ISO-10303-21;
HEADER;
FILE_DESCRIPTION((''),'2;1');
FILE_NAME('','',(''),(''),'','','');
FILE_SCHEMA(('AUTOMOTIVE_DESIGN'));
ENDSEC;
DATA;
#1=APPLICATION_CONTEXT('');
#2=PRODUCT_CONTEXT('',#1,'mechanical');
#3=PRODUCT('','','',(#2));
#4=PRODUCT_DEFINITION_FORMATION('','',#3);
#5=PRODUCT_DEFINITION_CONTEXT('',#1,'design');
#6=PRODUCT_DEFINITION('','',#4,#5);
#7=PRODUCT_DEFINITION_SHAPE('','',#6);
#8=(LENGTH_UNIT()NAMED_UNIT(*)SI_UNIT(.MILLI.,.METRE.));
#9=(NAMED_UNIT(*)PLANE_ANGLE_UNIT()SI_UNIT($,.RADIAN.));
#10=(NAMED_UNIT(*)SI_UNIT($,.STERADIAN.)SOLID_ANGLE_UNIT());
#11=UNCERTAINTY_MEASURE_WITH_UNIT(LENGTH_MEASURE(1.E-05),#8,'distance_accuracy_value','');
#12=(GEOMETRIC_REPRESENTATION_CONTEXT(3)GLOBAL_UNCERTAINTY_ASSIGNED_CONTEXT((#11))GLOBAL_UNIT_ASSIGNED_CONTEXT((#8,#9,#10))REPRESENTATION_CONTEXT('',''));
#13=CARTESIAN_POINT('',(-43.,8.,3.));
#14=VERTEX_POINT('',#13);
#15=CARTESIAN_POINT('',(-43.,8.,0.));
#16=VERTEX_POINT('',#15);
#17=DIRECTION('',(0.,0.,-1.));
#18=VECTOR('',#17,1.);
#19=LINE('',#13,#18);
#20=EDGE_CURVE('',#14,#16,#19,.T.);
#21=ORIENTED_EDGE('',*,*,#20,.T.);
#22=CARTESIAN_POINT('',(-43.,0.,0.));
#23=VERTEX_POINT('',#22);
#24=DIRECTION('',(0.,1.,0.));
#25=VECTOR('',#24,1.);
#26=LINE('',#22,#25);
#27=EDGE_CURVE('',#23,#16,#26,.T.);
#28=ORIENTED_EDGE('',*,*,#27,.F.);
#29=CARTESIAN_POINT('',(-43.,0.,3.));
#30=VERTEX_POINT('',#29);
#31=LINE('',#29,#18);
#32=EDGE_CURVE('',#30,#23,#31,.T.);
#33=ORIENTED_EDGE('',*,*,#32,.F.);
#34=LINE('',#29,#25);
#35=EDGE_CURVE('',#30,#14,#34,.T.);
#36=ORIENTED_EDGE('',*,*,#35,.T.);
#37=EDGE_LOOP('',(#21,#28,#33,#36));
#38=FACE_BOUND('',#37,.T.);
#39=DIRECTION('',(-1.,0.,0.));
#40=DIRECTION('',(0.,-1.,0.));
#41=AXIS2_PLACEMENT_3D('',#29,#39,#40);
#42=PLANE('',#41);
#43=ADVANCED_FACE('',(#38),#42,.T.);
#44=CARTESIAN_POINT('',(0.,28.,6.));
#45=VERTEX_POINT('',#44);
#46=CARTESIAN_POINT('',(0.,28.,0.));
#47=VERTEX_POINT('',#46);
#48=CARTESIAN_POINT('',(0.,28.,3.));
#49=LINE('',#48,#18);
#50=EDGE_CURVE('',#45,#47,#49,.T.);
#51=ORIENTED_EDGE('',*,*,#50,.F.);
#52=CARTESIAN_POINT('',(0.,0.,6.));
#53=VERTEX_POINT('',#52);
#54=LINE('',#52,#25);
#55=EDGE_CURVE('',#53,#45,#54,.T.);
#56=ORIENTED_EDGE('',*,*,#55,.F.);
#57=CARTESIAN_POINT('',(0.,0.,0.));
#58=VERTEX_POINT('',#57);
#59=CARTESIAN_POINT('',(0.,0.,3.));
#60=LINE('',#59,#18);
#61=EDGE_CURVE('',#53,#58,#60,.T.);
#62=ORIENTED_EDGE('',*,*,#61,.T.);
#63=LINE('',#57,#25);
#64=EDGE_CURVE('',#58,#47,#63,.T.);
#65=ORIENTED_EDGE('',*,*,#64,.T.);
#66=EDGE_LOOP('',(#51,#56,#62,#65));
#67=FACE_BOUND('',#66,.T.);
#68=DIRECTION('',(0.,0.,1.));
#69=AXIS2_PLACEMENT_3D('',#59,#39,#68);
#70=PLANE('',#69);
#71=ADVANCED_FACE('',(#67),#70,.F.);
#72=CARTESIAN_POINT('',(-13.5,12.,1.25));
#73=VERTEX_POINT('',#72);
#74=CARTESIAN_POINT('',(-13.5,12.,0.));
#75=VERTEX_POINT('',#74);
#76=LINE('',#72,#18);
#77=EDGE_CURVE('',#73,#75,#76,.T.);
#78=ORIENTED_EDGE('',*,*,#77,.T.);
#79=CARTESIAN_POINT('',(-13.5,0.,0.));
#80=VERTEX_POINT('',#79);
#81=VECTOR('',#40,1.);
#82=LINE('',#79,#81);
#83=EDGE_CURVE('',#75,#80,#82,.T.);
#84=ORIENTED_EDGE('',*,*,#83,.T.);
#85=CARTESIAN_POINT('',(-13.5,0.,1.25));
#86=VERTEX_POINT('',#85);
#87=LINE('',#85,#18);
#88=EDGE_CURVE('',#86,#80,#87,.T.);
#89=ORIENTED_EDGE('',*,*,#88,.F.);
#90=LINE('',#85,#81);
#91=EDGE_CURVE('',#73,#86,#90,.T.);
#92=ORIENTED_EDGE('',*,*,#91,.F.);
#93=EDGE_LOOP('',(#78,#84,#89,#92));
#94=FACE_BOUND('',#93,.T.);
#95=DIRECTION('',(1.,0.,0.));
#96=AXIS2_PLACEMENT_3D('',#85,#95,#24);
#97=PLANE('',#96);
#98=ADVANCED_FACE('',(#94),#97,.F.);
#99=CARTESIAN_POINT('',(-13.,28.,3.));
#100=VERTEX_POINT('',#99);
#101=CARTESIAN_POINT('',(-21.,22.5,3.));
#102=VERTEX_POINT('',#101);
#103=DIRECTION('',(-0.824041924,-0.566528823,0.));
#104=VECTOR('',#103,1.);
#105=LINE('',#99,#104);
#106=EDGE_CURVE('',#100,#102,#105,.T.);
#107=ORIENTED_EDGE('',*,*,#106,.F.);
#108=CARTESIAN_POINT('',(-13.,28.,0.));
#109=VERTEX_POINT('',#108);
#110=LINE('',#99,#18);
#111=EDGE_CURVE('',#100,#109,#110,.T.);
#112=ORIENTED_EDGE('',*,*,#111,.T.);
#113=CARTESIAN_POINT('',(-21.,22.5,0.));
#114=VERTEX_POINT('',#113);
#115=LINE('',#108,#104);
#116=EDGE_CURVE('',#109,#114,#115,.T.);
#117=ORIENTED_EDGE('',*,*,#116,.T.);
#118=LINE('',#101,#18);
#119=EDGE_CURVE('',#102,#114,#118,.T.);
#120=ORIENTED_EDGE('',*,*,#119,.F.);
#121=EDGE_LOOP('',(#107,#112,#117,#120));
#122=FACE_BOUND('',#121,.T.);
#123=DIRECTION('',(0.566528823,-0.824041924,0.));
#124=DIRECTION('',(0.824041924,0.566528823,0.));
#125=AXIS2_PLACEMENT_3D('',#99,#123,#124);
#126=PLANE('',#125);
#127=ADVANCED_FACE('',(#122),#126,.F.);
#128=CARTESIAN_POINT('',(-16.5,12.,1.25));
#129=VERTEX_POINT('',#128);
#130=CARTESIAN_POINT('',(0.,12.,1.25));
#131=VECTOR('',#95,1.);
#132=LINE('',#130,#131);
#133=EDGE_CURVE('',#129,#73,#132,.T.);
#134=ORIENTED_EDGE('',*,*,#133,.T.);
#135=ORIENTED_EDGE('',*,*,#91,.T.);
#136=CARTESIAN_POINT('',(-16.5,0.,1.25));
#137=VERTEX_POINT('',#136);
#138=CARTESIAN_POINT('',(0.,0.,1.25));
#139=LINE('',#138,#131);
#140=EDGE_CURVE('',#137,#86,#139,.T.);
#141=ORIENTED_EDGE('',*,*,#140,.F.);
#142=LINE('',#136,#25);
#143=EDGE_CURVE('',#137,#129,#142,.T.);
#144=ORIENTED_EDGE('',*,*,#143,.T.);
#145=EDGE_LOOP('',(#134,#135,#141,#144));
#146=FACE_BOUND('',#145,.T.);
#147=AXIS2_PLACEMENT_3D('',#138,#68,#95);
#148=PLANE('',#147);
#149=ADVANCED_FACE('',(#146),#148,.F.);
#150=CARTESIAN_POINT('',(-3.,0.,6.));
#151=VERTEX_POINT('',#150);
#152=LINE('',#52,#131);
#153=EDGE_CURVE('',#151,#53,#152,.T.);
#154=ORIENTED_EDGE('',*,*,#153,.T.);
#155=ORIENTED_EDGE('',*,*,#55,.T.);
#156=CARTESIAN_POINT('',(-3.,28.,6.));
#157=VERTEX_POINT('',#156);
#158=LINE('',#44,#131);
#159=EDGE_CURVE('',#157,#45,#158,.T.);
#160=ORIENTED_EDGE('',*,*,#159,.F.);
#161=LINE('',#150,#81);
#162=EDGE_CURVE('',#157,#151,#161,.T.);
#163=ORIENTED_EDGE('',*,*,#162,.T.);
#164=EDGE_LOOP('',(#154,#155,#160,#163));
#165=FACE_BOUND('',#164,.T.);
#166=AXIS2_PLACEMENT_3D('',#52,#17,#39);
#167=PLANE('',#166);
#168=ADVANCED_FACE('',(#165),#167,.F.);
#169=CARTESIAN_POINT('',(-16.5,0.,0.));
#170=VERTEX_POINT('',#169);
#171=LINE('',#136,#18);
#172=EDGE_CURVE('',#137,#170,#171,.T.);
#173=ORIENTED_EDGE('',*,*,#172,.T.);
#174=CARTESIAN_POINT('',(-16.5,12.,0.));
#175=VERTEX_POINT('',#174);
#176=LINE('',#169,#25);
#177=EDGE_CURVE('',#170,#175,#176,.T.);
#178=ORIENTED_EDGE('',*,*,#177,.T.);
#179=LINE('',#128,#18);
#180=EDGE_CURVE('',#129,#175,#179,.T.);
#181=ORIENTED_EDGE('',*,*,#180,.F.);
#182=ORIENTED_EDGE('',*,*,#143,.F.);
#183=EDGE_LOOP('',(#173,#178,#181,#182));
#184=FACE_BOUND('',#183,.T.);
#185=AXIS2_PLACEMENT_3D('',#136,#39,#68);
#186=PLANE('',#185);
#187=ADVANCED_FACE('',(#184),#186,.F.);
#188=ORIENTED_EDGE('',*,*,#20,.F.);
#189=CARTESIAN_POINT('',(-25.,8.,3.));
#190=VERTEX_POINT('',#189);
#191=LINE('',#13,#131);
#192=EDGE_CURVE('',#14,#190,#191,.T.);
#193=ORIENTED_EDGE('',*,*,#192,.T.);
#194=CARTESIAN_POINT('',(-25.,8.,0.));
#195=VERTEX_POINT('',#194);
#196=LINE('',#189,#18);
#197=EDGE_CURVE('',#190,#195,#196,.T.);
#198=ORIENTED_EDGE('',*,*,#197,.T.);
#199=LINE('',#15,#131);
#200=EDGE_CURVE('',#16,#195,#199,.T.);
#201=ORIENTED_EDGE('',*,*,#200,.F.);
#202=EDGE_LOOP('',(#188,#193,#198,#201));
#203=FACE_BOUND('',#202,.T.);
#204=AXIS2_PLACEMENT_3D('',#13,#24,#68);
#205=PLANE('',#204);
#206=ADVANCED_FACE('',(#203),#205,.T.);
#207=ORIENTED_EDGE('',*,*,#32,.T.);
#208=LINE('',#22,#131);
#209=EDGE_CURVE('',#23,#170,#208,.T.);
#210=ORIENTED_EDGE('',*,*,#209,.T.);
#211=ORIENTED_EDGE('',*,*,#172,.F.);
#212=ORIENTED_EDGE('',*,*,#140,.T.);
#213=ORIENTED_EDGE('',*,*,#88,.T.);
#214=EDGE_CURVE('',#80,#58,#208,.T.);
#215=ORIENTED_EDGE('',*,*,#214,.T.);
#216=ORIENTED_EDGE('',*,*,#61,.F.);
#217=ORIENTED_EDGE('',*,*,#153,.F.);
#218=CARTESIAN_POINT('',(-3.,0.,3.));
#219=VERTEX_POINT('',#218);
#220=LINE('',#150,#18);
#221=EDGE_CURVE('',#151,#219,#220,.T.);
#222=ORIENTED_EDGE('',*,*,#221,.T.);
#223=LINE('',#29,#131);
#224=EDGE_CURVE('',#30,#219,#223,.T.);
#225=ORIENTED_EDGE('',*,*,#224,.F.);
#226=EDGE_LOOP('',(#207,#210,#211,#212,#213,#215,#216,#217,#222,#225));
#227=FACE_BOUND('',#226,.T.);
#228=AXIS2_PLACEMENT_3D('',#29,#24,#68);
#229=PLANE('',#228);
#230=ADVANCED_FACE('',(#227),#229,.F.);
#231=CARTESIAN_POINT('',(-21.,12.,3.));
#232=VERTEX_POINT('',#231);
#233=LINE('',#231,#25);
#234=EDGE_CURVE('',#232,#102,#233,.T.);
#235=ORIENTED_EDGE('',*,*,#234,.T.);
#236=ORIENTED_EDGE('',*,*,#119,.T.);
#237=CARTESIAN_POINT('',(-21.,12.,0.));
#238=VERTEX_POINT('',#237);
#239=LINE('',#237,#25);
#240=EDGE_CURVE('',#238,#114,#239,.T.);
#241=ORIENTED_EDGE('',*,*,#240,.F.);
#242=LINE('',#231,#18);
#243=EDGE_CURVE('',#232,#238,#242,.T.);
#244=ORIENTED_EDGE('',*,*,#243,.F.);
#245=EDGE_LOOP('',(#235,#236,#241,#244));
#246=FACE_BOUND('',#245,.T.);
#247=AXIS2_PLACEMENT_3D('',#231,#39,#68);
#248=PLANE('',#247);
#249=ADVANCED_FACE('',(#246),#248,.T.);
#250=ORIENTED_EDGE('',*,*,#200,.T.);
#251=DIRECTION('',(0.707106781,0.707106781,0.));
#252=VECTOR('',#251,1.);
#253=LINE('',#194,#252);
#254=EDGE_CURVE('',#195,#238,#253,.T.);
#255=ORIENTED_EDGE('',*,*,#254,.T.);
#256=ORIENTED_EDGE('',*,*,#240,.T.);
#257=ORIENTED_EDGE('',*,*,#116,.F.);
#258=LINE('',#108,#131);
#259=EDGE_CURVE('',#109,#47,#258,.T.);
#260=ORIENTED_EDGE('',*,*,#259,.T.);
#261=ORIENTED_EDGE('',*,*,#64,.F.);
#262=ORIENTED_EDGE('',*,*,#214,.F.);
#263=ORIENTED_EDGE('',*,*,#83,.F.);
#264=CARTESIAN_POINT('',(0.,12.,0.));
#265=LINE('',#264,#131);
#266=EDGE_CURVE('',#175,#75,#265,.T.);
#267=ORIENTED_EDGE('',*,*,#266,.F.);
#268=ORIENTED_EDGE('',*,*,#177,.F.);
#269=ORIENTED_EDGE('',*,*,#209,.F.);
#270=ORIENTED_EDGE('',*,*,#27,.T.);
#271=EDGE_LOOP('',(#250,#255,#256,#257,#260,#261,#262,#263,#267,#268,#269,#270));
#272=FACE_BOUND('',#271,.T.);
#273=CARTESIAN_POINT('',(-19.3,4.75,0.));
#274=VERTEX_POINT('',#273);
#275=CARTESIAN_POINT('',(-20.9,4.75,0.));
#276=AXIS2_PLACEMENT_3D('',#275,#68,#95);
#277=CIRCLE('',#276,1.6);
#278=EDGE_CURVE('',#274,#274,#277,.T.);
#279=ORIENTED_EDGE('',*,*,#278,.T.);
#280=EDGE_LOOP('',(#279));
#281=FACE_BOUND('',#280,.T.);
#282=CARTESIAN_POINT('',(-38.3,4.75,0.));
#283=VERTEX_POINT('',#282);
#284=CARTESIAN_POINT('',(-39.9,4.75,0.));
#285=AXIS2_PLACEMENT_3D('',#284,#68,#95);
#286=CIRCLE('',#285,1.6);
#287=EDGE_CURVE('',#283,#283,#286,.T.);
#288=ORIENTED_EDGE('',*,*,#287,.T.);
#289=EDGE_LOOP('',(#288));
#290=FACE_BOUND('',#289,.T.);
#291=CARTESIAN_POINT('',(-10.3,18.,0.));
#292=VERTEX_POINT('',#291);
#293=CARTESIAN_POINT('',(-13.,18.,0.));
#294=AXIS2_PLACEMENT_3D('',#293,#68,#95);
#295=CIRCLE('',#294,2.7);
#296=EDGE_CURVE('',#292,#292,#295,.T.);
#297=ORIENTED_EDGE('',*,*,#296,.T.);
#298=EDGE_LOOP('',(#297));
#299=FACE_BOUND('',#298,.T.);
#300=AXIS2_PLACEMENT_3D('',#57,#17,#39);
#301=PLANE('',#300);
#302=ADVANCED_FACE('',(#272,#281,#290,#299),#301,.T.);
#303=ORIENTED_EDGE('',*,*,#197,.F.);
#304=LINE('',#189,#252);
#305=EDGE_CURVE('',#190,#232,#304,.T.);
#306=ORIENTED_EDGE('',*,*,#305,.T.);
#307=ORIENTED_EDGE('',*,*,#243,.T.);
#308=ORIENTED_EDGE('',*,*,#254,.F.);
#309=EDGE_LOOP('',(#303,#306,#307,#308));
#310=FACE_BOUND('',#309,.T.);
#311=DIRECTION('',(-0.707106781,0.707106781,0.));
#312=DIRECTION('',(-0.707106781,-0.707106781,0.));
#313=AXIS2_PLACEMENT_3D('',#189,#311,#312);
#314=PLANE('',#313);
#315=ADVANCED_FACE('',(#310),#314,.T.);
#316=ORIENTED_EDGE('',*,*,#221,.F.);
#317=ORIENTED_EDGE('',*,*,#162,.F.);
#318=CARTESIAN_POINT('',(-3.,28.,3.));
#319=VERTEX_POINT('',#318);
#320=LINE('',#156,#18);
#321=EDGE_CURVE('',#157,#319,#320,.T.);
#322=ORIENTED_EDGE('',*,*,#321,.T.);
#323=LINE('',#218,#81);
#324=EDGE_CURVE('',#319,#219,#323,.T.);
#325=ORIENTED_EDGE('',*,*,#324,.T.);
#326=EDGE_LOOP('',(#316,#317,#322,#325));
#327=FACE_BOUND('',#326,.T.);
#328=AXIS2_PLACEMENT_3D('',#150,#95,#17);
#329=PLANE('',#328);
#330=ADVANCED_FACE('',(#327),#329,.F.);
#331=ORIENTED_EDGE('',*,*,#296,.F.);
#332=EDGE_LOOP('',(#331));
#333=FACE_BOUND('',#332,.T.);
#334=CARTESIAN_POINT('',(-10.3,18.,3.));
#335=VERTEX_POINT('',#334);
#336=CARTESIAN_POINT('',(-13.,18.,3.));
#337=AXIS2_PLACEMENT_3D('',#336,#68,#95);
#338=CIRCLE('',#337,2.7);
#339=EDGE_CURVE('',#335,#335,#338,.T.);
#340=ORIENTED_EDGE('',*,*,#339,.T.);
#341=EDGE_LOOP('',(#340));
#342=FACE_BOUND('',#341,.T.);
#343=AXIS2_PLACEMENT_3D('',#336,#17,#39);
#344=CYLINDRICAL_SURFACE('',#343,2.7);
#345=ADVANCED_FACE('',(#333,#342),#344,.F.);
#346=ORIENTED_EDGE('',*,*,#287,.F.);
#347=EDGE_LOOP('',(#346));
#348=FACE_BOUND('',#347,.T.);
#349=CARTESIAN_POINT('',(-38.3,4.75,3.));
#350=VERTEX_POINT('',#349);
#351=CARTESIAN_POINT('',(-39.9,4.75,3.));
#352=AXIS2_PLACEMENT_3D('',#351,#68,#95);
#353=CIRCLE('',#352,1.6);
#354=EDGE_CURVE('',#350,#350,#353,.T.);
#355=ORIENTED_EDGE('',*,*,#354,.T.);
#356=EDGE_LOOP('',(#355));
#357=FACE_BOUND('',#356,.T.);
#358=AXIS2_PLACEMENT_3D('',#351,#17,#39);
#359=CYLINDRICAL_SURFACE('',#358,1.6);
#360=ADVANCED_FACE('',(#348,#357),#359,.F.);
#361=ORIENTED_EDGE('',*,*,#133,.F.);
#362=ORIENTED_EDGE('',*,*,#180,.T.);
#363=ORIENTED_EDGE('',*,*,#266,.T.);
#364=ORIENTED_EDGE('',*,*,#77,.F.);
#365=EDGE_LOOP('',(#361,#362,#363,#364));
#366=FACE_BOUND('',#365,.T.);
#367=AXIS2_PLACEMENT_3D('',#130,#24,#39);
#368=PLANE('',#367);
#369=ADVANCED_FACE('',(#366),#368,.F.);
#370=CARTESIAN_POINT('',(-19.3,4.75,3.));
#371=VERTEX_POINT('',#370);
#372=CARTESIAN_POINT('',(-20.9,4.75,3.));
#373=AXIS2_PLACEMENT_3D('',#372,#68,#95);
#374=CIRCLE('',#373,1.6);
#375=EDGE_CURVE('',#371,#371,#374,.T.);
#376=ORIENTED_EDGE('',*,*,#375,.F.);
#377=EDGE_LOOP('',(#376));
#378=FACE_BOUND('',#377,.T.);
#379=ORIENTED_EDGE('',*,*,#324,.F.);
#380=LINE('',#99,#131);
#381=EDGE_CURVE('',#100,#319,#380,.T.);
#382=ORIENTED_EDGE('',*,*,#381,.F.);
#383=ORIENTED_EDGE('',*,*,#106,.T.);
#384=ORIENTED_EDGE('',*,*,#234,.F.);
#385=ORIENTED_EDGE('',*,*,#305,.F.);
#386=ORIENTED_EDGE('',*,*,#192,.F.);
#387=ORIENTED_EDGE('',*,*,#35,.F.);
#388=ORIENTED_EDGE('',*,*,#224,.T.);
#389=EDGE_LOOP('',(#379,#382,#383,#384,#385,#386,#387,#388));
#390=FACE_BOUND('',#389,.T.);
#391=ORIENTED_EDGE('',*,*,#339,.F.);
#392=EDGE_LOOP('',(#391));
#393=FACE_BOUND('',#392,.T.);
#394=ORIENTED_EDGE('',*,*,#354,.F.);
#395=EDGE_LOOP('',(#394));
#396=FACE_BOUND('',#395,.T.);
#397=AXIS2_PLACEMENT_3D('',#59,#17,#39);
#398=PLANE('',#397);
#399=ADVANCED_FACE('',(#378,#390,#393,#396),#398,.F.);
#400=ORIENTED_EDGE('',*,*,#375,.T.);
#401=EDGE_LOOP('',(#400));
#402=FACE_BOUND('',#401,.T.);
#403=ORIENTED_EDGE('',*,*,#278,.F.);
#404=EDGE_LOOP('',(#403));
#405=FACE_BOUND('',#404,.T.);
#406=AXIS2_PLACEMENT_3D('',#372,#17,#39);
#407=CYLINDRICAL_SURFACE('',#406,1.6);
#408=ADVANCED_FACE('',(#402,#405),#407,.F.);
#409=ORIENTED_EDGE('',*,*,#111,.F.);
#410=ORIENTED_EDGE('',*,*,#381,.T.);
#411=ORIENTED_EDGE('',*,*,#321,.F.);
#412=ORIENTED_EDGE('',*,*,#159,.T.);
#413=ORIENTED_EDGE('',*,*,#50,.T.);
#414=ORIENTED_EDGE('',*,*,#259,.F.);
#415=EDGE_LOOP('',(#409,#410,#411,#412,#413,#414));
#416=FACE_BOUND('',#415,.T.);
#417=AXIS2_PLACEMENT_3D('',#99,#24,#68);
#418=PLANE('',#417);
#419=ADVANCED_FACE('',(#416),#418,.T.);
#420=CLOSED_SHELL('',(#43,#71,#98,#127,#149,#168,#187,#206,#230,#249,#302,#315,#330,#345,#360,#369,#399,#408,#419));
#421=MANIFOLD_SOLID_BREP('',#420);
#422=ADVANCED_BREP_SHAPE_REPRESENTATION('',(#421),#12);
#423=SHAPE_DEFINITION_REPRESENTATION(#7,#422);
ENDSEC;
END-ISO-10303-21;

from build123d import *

# Parameters (mm, degrees)
SKETCH1_R           = 1.6
SKETCH1_R_2         = 2.7
BOSS_EXTRUDE1_DEPTH = 3
BOSS_EXTRUDE2_START = 3
SKETCH1_3_W         = 3
SKETCH1_3_H         = 28
BOSS_EXTRUDE2_DEPTH = 3
SKETCH1_5_W         = 3
SKETCH1_5_H         = 12
CUT_EXTRUDE2_DEPTH  = 1.25


with BuildPart() as part:
    # Sketch1 → Boss-Extrude1 (new body)
    with BuildSketch(Plane.XY):
        Polygon((0, 0), (0, 28), (-13, 28), (-21, 22.5), (-21, 12), (-25, 8), (-43, 8), (-43, 0), align=None)
        with Locations((-39.9, 4.75)):
            Circle(SKETCH1_R, mode=Mode.SUBTRACT)
        with Locations((-13, 18)):
            Circle(SKETCH1_R_2, mode=Mode.SUBTRACT)
        with Locations((-20.9, 4.75)):
            Circle(SKETCH1_R, mode=Mode.SUBTRACT)
    extrude(amount=BOSS_EXTRUDE1_DEPTH)

    # Sketch1<3> → Boss-Extrude2 (add)
    with BuildSketch(Plane.XY.offset(BOSS_EXTRUDE2_START)):
        with Locations((-1.5, 14)):
            Rectangle(SKETCH1_3_W, SKETCH1_3_H)
    extrude(amount=BOSS_EXTRUDE2_DEPTH)

    # Sketch1<5> → Cut-Extrude2 (cut)
    with BuildSketch(Plane.XY):
        with Locations((-15, 6)):
            Rectangle(SKETCH1_5_W, SKETCH1_5_H)
    extrude(amount=CUT_EXTRUDE2_DEPTH, mode=Mode.SUBTRACT)


solid = part.part
